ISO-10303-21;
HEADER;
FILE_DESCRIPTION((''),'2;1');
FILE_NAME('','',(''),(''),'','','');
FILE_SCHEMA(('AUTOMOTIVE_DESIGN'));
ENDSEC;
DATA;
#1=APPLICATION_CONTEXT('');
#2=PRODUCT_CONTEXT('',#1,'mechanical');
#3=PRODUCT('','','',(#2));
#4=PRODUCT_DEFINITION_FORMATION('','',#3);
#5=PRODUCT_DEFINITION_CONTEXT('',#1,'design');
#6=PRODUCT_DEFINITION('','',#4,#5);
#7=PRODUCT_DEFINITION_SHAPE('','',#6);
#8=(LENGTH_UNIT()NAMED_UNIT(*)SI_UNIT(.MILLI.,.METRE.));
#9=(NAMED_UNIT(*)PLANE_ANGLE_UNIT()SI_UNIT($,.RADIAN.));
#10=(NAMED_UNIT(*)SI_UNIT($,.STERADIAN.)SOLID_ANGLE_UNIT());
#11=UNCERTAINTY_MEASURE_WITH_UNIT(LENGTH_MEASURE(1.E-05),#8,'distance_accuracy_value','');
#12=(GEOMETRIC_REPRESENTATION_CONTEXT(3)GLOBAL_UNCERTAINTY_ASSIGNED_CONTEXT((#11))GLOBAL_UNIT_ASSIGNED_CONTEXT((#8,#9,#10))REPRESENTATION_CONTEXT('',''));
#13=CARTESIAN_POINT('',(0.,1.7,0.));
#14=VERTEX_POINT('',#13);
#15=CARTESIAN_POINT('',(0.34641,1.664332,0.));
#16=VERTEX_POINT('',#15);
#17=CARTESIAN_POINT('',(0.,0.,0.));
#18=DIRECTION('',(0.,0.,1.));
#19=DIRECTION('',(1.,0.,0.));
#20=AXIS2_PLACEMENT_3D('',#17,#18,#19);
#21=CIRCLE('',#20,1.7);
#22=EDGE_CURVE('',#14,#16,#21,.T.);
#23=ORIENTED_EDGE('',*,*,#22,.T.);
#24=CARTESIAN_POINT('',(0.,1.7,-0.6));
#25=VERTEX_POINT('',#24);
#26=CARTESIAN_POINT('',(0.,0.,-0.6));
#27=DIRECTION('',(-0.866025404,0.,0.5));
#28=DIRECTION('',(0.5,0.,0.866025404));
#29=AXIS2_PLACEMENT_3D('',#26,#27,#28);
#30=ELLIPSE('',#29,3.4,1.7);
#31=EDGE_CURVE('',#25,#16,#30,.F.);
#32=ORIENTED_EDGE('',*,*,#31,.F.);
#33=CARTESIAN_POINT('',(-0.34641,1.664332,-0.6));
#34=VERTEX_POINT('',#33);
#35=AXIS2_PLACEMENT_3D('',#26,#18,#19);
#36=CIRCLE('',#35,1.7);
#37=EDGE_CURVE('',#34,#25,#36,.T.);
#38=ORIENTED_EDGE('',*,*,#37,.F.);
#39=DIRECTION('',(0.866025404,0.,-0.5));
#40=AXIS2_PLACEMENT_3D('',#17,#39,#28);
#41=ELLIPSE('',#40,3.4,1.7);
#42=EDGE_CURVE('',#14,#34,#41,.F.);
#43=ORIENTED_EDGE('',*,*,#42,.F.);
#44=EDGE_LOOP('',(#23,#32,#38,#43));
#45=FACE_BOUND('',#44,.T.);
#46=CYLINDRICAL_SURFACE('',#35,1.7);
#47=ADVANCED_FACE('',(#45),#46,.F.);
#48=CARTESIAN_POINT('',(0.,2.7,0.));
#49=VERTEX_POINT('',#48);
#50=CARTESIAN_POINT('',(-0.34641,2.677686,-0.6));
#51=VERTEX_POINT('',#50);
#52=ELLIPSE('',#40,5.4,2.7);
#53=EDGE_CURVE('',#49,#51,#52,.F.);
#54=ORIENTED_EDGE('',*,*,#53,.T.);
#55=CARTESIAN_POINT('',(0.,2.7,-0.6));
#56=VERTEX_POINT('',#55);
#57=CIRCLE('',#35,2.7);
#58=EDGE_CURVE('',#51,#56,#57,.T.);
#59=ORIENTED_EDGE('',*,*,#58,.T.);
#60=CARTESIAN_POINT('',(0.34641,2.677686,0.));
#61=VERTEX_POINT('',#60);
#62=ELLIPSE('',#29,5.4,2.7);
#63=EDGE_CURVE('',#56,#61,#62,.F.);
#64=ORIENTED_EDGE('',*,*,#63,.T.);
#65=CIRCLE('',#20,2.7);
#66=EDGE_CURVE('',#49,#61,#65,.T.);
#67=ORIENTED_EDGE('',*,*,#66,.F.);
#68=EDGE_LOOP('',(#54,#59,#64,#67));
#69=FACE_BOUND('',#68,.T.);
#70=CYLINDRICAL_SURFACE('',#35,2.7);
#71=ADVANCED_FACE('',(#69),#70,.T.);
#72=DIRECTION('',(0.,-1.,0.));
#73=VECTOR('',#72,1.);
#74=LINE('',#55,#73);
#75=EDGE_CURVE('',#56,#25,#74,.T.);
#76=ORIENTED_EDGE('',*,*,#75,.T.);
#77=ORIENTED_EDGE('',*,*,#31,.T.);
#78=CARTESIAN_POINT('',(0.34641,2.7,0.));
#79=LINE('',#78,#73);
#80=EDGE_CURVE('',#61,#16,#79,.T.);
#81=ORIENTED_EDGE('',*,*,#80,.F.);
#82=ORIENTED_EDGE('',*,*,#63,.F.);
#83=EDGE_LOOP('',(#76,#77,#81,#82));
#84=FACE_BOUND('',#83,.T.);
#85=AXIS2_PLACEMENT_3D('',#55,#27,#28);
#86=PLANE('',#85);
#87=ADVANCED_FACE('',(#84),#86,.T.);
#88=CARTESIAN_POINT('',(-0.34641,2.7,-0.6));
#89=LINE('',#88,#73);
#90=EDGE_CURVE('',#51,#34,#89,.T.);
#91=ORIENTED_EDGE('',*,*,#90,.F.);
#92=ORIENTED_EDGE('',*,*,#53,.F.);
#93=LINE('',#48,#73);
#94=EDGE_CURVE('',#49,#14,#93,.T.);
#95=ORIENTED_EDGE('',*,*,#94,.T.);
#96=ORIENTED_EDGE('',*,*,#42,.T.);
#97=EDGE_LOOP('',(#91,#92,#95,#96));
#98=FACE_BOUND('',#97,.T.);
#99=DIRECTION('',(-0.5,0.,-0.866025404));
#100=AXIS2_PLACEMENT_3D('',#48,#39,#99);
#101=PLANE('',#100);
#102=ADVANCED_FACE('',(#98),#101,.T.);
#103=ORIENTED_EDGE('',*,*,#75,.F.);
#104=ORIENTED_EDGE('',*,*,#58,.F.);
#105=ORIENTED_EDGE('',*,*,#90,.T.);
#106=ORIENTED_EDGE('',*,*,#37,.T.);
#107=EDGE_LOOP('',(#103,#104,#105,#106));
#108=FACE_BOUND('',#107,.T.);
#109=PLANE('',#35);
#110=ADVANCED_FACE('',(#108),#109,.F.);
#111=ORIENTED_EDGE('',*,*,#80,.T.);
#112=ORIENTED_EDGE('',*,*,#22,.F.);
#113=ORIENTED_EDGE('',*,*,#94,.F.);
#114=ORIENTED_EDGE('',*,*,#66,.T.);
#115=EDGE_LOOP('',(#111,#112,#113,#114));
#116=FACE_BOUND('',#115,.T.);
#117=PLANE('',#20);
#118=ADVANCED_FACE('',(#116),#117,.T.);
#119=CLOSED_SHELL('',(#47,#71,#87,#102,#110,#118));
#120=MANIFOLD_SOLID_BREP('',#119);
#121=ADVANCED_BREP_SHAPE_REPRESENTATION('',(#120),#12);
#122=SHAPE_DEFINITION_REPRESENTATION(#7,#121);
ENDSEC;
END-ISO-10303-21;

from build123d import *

# Parameters (mm, degrees)
SKETCH1_R          = 2.7
SKETCH1_R_2        = 1.7
BASE_EXTRUDE_DEPTH = 0.6
CUT_EXTRUDE1_DEPTH = 4.865229618


with BuildPart() as part:
    # Sketch1 → Base-Extrude (new body)
    with BuildSketch(Plane.XY):
        Circle(SKETCH1_R)
        Circle(SKETCH1_R_2, mode=Mode.SUBTRACT)
    extrude(amount=-BASE_EXTRUDE_DEPTH)

    # Sketch2 → Cut-Extrude1 (cut, through all)
    with BuildSketch(Plane(origin=(0, 0, 0), x_dir=(1, 0, 0), z_dir=(0, 1, 0))):
        Polygon((0, 0.6), (0.346410162, 0), (0, 0), (-0.346410162, 0.6), align=None)
    extrude(amount=CUT_EXTRUDE1_DEPTH, mode=Mode.SUBTRACT)


solid = part.part
